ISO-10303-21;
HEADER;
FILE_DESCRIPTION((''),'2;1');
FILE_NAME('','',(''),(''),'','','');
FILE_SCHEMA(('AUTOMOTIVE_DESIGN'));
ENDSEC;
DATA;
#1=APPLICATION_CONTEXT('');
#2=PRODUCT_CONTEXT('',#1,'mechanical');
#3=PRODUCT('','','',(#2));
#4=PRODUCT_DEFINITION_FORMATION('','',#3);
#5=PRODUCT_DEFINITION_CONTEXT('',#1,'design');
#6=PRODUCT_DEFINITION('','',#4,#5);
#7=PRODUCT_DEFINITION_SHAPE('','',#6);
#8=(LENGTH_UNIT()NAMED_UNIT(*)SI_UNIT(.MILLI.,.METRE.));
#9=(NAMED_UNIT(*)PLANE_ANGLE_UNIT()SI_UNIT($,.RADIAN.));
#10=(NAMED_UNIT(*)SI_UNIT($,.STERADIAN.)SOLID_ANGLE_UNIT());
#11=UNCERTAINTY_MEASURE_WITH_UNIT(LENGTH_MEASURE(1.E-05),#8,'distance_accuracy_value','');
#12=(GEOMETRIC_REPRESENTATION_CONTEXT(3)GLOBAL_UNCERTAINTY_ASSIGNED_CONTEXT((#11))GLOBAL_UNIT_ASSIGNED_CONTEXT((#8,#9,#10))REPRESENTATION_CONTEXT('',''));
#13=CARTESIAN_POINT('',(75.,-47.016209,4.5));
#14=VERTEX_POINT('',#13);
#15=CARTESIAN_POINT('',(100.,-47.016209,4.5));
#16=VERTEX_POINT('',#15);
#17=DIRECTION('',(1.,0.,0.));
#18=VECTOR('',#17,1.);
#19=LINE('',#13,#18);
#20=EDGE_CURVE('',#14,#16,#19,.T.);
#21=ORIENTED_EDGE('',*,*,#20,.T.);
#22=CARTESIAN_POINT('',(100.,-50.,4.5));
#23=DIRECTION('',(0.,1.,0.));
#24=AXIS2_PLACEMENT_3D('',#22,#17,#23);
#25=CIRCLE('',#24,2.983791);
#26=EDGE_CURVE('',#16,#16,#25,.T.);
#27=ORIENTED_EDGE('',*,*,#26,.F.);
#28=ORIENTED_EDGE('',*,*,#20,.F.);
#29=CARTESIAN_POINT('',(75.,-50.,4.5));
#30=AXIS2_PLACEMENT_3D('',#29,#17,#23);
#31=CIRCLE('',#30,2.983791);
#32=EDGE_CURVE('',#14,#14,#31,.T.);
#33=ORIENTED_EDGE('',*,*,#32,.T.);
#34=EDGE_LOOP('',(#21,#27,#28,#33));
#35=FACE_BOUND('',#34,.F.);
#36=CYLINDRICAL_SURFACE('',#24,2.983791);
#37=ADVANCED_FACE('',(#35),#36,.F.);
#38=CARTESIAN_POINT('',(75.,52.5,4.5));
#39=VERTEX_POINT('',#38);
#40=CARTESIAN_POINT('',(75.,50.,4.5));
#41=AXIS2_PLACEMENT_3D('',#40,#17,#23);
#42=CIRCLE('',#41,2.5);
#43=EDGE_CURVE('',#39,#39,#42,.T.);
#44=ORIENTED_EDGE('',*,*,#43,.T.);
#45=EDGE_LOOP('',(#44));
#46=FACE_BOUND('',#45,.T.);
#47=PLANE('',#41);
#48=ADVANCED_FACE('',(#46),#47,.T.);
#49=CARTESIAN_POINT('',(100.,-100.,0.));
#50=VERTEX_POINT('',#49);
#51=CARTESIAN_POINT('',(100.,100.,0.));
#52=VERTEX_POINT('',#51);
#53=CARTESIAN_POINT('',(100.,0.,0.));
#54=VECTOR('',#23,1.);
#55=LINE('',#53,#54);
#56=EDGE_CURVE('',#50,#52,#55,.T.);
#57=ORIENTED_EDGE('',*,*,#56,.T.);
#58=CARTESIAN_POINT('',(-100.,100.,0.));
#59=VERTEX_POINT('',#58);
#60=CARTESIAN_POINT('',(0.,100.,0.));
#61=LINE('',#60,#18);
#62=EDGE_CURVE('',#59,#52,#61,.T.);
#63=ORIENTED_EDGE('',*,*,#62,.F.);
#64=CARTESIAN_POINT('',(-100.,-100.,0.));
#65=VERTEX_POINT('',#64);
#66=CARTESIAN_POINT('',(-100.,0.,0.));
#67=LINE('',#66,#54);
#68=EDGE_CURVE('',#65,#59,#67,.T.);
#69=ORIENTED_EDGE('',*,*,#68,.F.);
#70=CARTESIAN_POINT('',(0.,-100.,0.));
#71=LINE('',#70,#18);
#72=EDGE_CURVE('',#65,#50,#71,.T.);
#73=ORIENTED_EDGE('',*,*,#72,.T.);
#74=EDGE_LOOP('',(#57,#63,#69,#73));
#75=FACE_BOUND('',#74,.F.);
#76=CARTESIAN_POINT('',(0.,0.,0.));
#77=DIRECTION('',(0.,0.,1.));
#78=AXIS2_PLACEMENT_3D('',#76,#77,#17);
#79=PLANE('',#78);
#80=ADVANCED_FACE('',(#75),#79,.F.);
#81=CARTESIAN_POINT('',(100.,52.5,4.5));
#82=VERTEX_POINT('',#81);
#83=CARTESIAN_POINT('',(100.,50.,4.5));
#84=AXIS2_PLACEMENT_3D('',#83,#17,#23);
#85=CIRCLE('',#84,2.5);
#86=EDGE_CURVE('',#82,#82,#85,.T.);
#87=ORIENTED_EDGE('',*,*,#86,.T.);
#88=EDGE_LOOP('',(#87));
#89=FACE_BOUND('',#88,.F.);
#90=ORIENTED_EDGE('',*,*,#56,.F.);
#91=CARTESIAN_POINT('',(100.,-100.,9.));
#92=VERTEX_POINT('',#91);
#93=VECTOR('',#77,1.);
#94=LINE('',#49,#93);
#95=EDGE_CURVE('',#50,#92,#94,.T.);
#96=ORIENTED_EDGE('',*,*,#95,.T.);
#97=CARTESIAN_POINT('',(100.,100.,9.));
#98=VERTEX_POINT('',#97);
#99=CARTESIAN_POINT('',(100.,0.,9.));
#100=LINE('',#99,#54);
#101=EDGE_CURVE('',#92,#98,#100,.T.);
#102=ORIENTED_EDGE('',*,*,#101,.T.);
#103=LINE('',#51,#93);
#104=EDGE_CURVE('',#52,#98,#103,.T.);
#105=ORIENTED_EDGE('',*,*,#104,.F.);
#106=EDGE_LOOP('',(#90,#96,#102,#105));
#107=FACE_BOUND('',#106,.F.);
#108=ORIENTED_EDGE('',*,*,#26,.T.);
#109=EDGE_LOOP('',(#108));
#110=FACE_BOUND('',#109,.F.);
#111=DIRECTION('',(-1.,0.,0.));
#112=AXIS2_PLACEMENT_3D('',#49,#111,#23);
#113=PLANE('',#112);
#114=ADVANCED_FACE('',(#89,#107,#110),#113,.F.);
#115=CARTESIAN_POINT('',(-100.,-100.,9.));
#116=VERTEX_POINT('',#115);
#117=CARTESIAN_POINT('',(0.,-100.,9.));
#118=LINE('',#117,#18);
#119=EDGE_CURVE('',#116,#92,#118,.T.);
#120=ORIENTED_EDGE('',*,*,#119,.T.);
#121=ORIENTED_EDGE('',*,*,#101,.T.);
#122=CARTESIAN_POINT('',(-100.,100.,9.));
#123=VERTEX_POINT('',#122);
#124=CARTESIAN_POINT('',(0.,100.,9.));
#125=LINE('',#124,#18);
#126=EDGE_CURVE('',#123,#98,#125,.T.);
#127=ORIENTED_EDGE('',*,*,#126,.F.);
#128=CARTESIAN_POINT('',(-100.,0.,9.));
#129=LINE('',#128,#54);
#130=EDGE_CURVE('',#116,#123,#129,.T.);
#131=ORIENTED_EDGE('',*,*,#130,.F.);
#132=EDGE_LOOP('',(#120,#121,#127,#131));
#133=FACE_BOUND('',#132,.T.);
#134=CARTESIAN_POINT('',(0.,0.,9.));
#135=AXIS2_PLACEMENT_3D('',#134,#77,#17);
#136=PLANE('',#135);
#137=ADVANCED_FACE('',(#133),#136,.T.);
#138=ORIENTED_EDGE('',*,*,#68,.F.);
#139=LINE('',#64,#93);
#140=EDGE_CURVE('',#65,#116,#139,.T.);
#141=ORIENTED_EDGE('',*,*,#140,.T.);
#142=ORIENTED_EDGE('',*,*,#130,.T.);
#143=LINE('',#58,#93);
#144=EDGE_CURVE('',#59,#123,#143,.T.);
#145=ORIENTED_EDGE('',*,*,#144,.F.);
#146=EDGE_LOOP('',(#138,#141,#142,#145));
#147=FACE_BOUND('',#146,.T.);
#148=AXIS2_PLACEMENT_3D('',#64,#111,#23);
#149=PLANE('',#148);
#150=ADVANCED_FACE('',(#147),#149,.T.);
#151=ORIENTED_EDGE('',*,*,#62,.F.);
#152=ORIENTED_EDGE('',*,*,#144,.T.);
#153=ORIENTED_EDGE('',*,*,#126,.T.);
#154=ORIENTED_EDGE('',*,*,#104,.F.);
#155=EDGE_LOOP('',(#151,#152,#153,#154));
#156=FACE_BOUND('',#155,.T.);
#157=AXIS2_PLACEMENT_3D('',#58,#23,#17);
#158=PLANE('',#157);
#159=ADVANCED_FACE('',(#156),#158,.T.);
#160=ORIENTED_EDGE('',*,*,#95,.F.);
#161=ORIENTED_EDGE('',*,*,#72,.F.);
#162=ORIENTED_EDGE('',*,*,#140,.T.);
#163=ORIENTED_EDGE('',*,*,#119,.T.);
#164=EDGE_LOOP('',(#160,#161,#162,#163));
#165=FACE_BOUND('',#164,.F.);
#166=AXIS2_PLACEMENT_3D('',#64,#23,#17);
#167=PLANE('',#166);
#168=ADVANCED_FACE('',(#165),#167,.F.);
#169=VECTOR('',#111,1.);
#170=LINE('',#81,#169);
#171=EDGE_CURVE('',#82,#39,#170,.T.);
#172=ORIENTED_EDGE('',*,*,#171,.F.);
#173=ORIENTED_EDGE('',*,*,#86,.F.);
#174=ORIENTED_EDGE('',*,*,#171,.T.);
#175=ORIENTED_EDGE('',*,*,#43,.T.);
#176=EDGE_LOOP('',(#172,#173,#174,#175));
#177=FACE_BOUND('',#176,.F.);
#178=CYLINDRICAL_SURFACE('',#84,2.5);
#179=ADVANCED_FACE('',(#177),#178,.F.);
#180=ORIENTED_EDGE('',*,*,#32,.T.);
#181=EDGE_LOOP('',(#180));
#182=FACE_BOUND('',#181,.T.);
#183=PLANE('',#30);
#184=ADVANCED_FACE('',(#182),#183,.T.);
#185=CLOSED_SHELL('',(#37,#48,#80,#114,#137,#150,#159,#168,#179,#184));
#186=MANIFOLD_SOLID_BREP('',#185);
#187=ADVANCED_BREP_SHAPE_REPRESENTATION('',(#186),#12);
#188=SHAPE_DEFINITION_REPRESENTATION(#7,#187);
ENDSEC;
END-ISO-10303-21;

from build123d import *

# Parameters (mm, degrees)
F0_W     = 200
F0_H     = 200
F1_DEPTH = 9
F2_R     = 2.983791
F2_R_2   = 2.5
F3_DEPTH = 25
F4_DEPTH = 15


with BuildPart() as f1:
    # F0 (on Top) → F1 (new body)
    with BuildSketch(Plane.XY):
        Rectangle(F0_W, F0_H)
    extrude(amount=F1_DEPTH)

    # F2 (on face) → F3 (cut)
    with BuildSketch(Plane.YZ.offset(100)):
        with Locations((-50, 4.5)):
            Circle(F2_R)
        with Locations((50, 4.5)):
            Circle(F2_R_2)
    extrude(amount=-F3_DEPTH, mode=Mode.SUBTRACT)

    # F2 (on face) → F4 (cut)
    with BuildSketch(Plane.YZ.offset(100)):
        with Locations((-50, 4.5)):
            Circle(F2_R)
    extrude(amount=-F4_DEPTH, mode=Mode.SUBTRACT)


solid = f1.part
